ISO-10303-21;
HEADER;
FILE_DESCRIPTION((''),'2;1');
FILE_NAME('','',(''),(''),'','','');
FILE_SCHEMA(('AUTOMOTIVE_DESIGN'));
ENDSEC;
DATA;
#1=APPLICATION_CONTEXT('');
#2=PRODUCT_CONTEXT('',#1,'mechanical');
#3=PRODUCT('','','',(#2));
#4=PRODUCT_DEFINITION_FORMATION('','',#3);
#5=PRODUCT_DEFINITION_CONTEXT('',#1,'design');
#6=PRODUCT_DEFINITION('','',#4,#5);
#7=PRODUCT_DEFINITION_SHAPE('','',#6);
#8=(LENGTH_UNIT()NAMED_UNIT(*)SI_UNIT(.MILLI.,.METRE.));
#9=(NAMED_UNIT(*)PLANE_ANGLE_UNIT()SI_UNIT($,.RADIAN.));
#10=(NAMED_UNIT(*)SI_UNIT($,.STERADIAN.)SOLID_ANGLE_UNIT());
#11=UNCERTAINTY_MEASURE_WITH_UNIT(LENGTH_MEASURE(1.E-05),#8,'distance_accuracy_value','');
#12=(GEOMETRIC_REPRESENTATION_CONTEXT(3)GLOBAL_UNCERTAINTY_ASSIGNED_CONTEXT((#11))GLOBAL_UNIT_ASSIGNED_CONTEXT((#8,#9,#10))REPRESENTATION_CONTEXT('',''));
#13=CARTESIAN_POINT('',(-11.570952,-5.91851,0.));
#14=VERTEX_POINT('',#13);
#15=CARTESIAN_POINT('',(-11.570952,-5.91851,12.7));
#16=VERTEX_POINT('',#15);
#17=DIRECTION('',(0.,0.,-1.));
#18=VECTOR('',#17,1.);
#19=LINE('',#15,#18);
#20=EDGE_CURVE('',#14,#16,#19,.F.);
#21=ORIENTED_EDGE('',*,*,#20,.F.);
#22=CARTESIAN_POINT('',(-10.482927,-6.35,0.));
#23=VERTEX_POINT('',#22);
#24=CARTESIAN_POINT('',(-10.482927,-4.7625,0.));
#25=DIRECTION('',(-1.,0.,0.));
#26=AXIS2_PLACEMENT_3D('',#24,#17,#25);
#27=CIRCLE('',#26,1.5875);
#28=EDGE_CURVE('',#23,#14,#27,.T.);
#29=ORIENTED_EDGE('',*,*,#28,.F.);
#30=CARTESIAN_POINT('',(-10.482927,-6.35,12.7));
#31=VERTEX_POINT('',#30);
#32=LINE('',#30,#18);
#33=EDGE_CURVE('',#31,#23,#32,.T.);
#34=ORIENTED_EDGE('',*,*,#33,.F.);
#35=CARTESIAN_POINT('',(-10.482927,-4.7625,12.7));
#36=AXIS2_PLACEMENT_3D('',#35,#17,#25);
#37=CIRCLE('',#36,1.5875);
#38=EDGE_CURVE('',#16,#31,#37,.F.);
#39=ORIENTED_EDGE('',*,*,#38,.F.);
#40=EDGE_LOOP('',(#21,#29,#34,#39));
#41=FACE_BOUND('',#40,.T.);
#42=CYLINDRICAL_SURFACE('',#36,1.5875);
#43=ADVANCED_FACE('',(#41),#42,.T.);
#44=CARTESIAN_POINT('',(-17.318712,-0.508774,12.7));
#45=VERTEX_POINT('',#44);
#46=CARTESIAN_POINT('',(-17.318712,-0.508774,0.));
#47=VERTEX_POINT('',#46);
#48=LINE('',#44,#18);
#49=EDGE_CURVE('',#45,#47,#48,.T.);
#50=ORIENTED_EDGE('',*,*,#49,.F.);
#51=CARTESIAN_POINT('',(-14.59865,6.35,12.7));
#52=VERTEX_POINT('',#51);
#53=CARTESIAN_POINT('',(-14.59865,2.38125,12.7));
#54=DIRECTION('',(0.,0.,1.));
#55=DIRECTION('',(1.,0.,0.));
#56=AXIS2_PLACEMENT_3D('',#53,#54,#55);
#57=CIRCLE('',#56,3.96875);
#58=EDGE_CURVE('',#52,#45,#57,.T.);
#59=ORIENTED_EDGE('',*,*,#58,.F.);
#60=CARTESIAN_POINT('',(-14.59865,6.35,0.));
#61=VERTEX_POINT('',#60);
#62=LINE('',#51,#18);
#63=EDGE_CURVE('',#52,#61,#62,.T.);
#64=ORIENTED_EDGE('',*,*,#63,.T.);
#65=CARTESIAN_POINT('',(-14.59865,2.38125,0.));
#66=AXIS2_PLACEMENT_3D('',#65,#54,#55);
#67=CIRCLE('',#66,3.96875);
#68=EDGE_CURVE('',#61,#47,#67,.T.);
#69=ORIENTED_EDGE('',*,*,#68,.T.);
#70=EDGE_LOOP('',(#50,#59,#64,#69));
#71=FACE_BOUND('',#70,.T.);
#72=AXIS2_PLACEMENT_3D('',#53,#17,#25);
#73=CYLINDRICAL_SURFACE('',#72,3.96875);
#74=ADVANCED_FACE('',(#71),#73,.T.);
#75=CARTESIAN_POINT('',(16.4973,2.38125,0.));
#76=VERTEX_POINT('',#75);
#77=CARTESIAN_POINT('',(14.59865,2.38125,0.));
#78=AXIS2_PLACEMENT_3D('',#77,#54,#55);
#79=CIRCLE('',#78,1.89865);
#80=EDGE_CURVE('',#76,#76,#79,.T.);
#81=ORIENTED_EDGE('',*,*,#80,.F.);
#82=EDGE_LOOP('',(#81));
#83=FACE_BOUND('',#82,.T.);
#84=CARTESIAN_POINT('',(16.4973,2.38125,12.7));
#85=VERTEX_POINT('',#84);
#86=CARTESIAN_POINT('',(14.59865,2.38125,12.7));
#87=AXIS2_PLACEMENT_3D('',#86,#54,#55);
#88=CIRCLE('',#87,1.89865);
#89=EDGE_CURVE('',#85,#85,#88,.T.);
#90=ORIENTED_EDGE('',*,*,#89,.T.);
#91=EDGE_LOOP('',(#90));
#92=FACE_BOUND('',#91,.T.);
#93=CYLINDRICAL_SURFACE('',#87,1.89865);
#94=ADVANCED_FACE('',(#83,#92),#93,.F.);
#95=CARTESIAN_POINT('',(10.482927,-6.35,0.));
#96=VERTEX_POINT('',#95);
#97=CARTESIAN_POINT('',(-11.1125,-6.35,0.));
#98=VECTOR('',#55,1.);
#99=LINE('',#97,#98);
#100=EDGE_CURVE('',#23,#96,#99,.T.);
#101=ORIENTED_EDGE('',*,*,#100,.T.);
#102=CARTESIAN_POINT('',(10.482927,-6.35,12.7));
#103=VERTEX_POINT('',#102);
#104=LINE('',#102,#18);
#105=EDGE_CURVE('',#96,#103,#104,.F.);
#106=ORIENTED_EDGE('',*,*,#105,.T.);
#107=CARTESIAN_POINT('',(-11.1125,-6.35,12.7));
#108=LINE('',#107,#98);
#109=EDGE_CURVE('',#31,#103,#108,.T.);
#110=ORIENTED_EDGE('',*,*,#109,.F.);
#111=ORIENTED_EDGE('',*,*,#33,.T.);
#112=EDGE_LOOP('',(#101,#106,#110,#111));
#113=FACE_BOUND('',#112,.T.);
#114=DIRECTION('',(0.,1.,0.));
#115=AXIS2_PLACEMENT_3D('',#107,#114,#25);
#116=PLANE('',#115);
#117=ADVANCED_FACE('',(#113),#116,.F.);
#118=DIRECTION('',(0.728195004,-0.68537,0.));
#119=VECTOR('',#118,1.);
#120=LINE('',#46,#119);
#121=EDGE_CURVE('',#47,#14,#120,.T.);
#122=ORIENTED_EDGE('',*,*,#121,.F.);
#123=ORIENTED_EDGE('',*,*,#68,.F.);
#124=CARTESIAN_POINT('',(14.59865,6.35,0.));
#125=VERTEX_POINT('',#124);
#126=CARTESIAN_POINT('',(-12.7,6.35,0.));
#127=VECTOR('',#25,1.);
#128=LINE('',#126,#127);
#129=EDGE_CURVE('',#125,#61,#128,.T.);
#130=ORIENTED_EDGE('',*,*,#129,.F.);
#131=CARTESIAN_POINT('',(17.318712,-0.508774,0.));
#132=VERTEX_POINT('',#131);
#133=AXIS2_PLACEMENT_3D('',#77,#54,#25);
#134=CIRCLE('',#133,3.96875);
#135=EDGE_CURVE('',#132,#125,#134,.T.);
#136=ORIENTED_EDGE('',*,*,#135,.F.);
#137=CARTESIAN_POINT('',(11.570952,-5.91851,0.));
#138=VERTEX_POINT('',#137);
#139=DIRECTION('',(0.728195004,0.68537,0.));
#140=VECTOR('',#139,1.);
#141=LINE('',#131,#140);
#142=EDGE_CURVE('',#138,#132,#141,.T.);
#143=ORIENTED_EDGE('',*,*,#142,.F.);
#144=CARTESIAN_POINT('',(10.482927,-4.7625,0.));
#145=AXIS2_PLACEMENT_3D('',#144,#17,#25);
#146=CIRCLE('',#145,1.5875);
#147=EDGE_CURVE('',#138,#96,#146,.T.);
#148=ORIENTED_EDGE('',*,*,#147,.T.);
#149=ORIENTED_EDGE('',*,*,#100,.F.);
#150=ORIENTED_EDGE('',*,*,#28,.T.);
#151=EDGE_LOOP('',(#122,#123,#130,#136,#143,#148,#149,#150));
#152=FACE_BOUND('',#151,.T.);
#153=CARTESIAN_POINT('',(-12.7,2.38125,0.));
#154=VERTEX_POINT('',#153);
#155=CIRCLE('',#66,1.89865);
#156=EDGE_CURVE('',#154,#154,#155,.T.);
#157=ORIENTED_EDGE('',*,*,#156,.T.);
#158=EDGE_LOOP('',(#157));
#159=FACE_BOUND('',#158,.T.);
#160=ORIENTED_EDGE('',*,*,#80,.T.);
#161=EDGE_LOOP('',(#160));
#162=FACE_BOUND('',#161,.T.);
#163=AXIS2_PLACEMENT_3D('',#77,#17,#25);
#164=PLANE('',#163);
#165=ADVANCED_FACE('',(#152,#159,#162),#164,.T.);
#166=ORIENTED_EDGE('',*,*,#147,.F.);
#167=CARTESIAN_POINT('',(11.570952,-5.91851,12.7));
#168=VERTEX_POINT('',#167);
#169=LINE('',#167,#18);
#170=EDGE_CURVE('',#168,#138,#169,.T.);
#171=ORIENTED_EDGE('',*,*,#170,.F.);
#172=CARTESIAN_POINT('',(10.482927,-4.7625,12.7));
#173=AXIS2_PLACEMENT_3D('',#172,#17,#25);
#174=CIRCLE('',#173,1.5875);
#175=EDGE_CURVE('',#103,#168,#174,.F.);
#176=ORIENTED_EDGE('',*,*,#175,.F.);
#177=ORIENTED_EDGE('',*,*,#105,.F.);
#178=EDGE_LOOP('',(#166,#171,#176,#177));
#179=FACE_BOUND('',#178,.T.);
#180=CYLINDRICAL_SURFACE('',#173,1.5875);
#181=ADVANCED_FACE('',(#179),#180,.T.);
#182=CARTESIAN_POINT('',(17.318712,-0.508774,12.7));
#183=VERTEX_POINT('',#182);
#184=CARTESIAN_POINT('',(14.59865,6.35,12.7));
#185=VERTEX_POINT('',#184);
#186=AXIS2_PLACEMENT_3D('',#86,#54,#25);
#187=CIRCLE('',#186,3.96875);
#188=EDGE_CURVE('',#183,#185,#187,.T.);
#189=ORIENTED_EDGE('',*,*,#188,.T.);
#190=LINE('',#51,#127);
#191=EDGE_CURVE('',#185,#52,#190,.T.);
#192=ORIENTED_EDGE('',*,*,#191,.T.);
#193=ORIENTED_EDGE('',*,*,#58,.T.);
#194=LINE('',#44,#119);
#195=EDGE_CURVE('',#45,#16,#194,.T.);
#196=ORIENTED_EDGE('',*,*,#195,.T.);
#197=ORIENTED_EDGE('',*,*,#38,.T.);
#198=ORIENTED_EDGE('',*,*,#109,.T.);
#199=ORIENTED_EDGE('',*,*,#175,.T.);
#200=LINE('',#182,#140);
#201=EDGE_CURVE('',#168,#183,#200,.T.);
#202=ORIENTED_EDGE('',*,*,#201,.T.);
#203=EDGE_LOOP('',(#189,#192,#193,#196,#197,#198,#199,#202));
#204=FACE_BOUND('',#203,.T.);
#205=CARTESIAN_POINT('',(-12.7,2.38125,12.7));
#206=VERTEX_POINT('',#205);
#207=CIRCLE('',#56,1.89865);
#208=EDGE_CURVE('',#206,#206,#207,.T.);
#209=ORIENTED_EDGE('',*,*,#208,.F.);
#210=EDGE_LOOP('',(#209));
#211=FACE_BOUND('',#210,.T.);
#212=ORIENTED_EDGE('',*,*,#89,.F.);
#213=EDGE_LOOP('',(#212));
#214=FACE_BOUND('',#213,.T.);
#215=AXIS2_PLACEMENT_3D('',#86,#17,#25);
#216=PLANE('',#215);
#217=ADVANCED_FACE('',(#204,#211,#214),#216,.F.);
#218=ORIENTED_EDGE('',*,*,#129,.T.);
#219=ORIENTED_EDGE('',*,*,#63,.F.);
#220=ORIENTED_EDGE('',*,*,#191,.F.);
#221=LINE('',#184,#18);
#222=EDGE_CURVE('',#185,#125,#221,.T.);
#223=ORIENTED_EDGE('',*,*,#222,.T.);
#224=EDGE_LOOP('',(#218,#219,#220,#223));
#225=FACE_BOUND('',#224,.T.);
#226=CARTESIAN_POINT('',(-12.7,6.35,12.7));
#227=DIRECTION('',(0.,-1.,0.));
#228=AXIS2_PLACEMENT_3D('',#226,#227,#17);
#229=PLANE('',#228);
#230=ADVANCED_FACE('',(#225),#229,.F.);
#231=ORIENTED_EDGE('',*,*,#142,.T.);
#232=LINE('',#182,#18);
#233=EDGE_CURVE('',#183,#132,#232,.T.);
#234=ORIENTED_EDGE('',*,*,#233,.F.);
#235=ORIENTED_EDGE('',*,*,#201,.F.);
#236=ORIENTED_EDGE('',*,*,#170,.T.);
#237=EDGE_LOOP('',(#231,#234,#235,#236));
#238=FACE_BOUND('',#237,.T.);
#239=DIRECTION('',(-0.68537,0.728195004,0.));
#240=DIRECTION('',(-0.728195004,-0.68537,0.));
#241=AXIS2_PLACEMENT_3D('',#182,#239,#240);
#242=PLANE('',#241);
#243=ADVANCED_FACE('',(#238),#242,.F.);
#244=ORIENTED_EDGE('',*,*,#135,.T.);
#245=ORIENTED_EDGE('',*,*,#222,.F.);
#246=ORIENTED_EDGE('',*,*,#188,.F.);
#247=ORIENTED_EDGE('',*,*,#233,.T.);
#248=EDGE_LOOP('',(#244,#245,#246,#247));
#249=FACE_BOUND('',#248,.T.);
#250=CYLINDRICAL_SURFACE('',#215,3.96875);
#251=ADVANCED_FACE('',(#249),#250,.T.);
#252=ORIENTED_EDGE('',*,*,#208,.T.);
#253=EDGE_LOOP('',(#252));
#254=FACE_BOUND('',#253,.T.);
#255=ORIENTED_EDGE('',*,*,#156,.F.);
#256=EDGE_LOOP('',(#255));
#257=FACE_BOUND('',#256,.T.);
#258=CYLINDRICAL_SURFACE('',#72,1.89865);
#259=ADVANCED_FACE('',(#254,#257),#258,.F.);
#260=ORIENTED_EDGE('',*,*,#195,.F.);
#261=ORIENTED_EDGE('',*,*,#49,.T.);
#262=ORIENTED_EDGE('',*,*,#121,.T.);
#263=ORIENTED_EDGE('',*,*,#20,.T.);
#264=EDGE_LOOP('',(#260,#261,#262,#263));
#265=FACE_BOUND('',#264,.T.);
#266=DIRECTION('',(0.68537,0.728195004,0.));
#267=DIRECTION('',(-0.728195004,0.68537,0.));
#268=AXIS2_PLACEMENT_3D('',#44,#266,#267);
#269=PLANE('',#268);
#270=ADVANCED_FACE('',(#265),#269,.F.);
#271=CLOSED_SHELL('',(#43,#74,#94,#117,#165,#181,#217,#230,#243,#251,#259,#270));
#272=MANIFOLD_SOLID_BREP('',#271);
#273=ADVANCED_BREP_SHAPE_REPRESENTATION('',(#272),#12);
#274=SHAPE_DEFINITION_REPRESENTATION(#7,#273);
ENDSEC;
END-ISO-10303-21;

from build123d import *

# Parameters (mm, degrees)
SKETCH1_R             = 1.89865
BOSS_EXTRUDE1_DEPTH   = 12.7
FILLET1_R             = 1.5875
F_6_CLEARANCE_HOLE1_D = 3.7973


with BuildPart() as part:
    # Sketch1 → Boss-Extrude1 (new body)
    with BuildSketch(Plane.XY):
        with BuildLine():
            Line((-17.318712187, -0.508773921), (-11.1125, -6.35))
            Line((-11.1125, -6.35), (11.1125, -6.35))
            Line((11.1125, -6.35), (17.318712187, -0.508773921))
            ThreePointArc((17.318712187, -0.508773921), (18.287874783, 3.844327942), (14.59865, 6.35))
            Line((14.59865, 6.35), (12.7, 6.35))
            Line((12.7, 6.35), (-12.7, 6.35))
            Line((-12.7, 6.35), (-14.59865, 6.35))
            ThreePointArc((-14.59865, 6.35), (-18.287874783, 3.844327942), (-17.318712187, -0.508773921))
        make_face()
        with Locations((-14.59865, 2.38125)):
            Circle(SKETCH1_R, mode=Mode.SUBTRACT)
    extrude(amount=BOSS_EXTRUDE1_DEPTH)

    # Fillet1
    fillet1_edges = [part.edges().sort_by_distance(p)[0] for p in [
        (11.1125, -6.35, 6.35),
        (-11.1125, -6.35, 6.35),
    ]]
    fillet(fillet1_edges, radius=FILLET1_R)

    # #6 Clearance Hole1 (through all)
    with Locations(Plane.XY.offset(12.7)):
        with Locations((-14.59865, 2.38125), (14.59865, 2.38125)):
            Hole(F_6_CLEARANCE_HOLE1_D / 2)


solid = part.part
